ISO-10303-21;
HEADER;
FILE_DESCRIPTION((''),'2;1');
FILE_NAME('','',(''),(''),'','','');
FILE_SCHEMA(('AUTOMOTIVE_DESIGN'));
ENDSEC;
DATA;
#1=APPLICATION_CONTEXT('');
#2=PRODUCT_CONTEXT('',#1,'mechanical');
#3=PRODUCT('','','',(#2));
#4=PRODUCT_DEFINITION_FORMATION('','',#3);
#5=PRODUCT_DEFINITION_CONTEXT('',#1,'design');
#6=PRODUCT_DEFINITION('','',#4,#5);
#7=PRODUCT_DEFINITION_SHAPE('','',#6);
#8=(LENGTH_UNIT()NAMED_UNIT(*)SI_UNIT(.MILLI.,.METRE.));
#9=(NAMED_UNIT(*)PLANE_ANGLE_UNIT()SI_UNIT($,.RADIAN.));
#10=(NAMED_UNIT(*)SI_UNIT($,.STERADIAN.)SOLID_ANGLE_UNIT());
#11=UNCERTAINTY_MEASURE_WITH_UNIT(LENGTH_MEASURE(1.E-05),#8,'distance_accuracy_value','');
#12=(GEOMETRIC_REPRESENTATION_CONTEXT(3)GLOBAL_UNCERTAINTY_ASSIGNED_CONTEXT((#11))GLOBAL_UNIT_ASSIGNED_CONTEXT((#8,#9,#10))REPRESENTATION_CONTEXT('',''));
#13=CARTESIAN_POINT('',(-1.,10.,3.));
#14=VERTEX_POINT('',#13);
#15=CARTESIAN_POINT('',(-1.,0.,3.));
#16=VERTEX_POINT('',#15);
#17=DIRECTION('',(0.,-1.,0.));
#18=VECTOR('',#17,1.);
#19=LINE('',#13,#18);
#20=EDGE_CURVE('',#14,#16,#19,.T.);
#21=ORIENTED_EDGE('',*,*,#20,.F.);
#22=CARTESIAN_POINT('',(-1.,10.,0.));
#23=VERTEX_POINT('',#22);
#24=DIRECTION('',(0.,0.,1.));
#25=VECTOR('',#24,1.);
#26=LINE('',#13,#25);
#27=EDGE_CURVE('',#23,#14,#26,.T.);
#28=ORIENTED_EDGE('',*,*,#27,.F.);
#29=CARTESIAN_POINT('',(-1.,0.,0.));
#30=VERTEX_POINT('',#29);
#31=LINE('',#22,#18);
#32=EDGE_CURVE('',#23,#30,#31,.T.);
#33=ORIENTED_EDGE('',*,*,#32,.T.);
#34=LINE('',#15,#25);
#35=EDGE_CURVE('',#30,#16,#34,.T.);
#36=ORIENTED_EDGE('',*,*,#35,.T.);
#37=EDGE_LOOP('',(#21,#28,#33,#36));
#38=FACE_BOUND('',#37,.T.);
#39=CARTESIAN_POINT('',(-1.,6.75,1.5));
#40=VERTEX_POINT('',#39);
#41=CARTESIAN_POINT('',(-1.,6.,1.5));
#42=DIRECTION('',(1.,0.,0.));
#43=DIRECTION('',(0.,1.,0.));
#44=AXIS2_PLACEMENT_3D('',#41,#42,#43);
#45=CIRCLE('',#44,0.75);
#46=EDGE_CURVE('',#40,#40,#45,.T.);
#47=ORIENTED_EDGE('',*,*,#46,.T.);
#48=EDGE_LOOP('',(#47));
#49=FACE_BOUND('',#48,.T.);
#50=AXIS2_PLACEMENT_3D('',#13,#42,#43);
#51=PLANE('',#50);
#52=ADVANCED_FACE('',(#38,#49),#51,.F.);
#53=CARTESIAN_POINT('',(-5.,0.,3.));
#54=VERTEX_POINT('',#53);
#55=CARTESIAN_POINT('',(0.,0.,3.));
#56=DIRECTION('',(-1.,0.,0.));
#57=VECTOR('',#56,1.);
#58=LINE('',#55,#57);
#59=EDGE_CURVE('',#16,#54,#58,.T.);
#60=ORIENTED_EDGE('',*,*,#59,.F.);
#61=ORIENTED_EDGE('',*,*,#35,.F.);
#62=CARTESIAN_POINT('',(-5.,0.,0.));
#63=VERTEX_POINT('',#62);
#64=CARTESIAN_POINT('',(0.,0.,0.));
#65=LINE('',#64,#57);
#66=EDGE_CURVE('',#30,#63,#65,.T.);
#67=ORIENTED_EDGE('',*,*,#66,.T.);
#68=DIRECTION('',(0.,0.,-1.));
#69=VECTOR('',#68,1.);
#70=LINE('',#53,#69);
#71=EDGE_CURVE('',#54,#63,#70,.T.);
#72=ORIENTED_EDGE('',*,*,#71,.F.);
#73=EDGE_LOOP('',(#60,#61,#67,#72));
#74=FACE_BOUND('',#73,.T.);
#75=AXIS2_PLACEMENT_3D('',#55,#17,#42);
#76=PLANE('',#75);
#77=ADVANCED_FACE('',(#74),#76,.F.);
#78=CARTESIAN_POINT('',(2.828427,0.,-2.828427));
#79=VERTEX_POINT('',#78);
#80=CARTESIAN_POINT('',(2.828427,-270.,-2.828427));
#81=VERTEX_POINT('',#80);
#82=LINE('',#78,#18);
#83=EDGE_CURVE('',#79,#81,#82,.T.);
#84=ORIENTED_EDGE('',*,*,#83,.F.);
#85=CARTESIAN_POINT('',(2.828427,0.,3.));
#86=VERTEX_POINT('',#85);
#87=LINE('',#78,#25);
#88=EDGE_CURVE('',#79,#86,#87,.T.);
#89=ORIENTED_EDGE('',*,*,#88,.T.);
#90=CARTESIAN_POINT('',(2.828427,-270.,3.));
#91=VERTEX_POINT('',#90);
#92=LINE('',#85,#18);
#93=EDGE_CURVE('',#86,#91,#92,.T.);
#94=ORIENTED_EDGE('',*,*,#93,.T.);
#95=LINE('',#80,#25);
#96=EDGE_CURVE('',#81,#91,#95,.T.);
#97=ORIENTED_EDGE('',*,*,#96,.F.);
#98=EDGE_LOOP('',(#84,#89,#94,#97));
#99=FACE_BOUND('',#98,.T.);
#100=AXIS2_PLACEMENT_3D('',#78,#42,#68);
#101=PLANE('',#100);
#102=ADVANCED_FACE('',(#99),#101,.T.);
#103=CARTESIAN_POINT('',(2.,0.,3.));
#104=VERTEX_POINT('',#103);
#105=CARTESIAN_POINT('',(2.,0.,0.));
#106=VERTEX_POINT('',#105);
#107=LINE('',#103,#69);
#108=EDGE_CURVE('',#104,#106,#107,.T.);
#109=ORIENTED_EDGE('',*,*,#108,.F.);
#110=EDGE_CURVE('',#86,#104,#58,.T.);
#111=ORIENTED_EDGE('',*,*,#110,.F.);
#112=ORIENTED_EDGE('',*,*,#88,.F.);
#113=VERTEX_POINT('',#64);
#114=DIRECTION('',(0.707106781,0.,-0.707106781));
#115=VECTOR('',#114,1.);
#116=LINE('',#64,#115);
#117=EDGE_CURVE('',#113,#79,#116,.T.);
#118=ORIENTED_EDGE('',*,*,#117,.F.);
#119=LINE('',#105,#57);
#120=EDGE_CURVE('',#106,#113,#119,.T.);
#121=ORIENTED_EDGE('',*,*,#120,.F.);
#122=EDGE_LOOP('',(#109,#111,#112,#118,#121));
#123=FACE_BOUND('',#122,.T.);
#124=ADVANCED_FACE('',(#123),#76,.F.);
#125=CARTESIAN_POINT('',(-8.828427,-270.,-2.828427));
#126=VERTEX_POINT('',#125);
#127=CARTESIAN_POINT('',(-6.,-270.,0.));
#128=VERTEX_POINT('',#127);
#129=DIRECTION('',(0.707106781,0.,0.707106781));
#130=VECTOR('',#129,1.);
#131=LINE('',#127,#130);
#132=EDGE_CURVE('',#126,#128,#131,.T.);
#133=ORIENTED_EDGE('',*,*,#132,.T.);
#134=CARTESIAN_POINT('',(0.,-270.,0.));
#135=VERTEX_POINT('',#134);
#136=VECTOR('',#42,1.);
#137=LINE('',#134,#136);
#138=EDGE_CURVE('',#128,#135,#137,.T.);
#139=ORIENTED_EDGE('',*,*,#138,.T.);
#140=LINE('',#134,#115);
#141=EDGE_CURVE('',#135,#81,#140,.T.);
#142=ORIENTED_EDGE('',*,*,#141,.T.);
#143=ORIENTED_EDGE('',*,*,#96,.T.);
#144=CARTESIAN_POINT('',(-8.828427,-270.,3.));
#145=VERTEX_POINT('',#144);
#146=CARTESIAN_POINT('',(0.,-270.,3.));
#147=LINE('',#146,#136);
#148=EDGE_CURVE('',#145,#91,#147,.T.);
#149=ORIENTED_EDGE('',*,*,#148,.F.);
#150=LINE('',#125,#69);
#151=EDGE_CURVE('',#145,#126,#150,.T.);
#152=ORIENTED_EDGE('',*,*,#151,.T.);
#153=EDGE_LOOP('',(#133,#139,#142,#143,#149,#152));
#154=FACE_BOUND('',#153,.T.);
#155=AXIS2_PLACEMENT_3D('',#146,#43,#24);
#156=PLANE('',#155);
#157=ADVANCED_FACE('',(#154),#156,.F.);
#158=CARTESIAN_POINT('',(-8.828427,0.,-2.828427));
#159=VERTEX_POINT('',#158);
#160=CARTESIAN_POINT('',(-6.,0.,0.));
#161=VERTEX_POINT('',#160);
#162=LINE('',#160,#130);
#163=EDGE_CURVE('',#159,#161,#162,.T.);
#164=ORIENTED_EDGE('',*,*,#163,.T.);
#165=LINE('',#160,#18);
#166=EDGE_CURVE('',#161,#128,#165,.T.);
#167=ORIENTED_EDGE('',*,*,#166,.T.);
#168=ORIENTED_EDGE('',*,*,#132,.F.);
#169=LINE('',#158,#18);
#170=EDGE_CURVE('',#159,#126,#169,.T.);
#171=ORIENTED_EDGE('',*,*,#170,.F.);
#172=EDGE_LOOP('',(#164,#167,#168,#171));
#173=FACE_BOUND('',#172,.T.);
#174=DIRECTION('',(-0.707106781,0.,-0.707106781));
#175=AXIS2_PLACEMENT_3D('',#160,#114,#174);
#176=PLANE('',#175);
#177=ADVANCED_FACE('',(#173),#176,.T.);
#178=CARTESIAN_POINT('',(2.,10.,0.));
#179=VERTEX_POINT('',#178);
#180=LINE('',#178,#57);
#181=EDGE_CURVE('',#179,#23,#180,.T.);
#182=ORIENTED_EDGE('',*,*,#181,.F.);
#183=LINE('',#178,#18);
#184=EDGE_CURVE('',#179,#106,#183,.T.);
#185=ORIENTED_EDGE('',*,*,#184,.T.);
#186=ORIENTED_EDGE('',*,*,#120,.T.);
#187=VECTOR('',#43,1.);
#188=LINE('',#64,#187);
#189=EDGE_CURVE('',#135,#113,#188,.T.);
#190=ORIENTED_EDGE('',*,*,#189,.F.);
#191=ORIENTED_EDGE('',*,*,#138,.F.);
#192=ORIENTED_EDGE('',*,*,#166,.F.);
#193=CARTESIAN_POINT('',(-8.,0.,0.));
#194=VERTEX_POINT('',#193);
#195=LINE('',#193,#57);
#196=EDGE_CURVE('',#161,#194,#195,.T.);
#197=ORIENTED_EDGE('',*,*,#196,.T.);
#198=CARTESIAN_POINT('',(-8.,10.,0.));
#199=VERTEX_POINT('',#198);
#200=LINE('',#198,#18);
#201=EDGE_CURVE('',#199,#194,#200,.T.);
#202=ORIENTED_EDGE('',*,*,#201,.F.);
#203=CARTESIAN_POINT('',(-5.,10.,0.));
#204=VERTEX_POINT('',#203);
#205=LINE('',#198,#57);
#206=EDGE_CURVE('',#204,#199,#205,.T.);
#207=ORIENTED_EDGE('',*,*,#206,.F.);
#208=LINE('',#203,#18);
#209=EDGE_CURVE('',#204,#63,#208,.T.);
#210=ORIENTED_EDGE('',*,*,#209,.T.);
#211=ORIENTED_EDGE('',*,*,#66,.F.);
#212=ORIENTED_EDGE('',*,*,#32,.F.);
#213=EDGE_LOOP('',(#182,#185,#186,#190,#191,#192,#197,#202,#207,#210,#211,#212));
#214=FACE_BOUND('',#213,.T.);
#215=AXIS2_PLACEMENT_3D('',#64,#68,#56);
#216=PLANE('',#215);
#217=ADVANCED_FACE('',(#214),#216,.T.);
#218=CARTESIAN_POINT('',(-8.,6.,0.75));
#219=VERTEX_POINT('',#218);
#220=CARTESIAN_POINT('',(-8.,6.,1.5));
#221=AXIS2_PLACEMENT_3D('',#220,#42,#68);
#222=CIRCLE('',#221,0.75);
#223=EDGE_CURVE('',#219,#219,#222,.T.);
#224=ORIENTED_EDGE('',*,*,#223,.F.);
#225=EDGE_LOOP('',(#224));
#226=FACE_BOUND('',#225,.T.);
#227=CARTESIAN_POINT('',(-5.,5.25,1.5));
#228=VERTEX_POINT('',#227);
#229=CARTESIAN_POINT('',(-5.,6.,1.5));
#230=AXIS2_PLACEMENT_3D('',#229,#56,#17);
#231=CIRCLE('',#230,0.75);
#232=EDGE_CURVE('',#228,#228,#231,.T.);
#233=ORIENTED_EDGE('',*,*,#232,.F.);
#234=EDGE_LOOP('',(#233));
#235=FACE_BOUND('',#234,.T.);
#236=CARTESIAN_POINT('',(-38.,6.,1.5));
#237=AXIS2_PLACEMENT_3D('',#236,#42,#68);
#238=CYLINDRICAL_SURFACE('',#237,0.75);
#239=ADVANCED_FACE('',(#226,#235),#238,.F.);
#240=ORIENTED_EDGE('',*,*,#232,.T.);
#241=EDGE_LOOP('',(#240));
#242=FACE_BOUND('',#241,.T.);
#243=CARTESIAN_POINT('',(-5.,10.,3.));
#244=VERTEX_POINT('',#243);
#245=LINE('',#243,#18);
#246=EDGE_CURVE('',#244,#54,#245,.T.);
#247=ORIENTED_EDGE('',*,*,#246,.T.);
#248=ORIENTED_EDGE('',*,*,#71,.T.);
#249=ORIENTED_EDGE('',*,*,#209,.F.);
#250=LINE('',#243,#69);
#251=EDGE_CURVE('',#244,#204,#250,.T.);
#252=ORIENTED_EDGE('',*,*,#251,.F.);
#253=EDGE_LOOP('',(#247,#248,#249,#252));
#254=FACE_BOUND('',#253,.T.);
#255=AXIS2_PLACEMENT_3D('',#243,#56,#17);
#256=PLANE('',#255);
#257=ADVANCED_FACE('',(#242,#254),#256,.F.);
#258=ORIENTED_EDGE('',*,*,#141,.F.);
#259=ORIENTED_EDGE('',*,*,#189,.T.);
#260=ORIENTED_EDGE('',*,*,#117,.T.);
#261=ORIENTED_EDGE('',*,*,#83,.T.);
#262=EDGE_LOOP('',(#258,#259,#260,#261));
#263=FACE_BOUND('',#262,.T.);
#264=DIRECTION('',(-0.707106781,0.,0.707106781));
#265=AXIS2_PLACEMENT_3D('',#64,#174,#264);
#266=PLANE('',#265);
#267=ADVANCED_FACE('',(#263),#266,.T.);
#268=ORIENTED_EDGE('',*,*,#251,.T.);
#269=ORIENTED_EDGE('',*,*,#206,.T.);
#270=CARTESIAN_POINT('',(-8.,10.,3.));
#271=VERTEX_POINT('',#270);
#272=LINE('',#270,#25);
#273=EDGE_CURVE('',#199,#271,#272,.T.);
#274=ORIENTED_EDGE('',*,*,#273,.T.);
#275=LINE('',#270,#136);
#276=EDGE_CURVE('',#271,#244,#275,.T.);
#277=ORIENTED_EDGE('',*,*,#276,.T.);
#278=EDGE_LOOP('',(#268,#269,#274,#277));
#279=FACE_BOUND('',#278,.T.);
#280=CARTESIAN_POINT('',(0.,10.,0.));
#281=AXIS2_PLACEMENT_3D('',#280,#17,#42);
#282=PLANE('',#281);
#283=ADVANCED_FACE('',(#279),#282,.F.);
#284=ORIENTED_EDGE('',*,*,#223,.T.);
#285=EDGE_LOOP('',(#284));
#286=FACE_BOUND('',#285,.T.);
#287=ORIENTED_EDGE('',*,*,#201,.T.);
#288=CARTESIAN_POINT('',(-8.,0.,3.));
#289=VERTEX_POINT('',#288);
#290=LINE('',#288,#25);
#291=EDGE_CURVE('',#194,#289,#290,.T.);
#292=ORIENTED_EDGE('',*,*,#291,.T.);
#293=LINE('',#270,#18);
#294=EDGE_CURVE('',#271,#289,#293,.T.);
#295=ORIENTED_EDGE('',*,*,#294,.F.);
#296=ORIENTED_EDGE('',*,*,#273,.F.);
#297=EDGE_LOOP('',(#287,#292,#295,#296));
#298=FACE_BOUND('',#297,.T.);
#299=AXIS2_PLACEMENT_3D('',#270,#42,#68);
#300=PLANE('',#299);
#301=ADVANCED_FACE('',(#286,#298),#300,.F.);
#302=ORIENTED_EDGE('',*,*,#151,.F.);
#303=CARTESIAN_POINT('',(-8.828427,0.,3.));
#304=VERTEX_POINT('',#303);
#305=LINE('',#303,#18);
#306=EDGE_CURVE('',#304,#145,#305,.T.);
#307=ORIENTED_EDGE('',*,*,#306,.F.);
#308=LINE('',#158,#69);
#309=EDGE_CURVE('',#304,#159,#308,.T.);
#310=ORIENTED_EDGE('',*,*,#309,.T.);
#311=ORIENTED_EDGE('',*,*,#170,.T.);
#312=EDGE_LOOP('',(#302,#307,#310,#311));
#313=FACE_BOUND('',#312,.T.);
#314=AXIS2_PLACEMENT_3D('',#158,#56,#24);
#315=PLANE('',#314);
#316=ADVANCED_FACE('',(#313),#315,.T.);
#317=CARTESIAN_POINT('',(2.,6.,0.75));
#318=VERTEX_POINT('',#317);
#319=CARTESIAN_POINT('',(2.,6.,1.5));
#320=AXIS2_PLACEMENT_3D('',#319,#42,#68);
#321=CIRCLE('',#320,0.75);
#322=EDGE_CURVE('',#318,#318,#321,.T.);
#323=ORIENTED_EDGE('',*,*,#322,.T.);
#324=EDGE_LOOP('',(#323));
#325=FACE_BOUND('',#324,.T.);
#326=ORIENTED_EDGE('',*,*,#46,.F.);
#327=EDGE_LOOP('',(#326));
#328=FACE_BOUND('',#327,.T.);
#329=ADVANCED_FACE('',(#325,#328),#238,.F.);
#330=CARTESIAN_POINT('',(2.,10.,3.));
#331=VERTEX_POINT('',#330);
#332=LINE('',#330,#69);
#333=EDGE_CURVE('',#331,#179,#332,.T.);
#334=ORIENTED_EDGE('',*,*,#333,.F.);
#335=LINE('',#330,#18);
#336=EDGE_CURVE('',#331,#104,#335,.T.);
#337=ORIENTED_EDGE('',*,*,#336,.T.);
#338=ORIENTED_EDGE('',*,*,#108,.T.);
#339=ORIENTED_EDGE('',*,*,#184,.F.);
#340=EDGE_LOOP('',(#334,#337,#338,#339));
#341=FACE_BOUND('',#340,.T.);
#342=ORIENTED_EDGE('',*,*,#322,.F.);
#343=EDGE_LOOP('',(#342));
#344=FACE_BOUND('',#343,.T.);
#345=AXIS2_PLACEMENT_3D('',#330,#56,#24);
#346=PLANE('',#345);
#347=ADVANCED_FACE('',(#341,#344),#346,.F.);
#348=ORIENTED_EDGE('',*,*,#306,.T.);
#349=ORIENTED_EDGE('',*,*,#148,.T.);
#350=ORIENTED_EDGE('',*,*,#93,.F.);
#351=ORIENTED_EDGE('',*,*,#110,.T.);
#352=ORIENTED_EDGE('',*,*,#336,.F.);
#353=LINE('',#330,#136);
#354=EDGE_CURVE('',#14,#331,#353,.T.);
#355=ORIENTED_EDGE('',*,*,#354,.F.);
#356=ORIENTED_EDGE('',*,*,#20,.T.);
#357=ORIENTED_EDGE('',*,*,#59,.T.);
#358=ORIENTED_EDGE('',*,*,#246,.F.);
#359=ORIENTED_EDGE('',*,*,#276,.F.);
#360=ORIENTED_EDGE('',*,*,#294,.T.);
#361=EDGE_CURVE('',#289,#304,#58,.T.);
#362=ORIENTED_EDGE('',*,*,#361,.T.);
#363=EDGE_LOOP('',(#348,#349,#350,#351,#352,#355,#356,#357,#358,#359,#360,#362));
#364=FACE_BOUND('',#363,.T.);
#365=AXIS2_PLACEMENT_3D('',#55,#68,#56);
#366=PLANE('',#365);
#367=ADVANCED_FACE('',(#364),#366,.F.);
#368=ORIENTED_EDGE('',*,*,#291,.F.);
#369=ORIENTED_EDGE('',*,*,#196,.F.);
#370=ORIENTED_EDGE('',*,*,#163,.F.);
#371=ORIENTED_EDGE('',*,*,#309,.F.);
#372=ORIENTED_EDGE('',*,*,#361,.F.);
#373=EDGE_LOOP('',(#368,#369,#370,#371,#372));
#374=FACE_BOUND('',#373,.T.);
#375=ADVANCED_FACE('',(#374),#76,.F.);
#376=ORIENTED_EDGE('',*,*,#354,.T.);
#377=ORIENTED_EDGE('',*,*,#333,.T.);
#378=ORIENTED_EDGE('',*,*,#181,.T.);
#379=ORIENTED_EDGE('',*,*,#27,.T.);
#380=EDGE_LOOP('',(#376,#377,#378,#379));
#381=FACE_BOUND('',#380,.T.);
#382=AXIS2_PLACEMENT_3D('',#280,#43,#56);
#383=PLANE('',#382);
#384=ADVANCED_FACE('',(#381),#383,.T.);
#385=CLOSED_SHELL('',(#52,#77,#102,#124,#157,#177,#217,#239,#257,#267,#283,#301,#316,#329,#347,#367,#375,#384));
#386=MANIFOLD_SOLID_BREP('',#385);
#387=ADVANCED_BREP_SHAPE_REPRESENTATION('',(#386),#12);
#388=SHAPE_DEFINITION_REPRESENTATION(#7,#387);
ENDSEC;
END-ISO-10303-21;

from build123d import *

# Parameters (mm, degrees)
SKETCH2_W           = 6
SKETCH2_H           = 270
BOSS_EXTRUDE1_DEPTH = 3
BOSS_EXTRUDE2_DEPTH = 270
SKETCH5_W           = 3
SKETCH5_H           = 3
BOSS_EXTRUDE3_DEPTH = 10
SKETCH6_R           = 0.75
CUT_EXTRUDE1_DEPTH  = 40


with BuildPart() as part:
    # Sketch2 → Boss-Extrude1 (new body)
    with BuildSketch(Plane.XY):
        with Locations((-3, -135)):
            Rectangle(SKETCH2_W, SKETCH2_H)
    extrude(amount=BOSS_EXTRUDE1_DEPTH)

    # Sketch4 → Boss-Extrude2 (add)
    with BuildSketch(Plane(origin=(0, -270, 0), x_dir=(-1, 0, 0), z_dir=(0, -1, 0))):
        Polygon((0, 0), (-2.828427125, 2.828427125), (-2.828427125, -3), (0, -3), align=None)
        Polygon((8.828427125, -3), (6, -3), (6, 0), (8.828427125, 2.828427125), align=None)
    extrude(amount=-BOSS_EXTRUDE2_DEPTH)

    # Sketch5 → Boss-Extrude3 (add)
    with BuildSketch(Plane(origin=(0, 0, 0), x_dir=(1, 0, 0), z_dir=(0, 1, 0))):
        with Locations((-6.5, -1.5)):
            Rectangle(SKETCH5_W, SKETCH5_H)
        with Locations((0.5, -1.5)):
            Rectangle(SKETCH5_W, SKETCH5_H)
    extrude(amount=BOSS_EXTRUDE3_DEPTH)

    # Sketch6 → Cut-Extrude1 (cut)
    with BuildSketch(Plane(origin=(2, 0, 0), x_dir=(0, 0, -1), z_dir=(1, 0, 0))):
        with Locations((-1.5, 6)):
            Circle(SKETCH6_R)
    extrude(amount=-CUT_EXTRUDE1_DEPTH, mode=Mode.SUBTRACT)


solid = part.part
